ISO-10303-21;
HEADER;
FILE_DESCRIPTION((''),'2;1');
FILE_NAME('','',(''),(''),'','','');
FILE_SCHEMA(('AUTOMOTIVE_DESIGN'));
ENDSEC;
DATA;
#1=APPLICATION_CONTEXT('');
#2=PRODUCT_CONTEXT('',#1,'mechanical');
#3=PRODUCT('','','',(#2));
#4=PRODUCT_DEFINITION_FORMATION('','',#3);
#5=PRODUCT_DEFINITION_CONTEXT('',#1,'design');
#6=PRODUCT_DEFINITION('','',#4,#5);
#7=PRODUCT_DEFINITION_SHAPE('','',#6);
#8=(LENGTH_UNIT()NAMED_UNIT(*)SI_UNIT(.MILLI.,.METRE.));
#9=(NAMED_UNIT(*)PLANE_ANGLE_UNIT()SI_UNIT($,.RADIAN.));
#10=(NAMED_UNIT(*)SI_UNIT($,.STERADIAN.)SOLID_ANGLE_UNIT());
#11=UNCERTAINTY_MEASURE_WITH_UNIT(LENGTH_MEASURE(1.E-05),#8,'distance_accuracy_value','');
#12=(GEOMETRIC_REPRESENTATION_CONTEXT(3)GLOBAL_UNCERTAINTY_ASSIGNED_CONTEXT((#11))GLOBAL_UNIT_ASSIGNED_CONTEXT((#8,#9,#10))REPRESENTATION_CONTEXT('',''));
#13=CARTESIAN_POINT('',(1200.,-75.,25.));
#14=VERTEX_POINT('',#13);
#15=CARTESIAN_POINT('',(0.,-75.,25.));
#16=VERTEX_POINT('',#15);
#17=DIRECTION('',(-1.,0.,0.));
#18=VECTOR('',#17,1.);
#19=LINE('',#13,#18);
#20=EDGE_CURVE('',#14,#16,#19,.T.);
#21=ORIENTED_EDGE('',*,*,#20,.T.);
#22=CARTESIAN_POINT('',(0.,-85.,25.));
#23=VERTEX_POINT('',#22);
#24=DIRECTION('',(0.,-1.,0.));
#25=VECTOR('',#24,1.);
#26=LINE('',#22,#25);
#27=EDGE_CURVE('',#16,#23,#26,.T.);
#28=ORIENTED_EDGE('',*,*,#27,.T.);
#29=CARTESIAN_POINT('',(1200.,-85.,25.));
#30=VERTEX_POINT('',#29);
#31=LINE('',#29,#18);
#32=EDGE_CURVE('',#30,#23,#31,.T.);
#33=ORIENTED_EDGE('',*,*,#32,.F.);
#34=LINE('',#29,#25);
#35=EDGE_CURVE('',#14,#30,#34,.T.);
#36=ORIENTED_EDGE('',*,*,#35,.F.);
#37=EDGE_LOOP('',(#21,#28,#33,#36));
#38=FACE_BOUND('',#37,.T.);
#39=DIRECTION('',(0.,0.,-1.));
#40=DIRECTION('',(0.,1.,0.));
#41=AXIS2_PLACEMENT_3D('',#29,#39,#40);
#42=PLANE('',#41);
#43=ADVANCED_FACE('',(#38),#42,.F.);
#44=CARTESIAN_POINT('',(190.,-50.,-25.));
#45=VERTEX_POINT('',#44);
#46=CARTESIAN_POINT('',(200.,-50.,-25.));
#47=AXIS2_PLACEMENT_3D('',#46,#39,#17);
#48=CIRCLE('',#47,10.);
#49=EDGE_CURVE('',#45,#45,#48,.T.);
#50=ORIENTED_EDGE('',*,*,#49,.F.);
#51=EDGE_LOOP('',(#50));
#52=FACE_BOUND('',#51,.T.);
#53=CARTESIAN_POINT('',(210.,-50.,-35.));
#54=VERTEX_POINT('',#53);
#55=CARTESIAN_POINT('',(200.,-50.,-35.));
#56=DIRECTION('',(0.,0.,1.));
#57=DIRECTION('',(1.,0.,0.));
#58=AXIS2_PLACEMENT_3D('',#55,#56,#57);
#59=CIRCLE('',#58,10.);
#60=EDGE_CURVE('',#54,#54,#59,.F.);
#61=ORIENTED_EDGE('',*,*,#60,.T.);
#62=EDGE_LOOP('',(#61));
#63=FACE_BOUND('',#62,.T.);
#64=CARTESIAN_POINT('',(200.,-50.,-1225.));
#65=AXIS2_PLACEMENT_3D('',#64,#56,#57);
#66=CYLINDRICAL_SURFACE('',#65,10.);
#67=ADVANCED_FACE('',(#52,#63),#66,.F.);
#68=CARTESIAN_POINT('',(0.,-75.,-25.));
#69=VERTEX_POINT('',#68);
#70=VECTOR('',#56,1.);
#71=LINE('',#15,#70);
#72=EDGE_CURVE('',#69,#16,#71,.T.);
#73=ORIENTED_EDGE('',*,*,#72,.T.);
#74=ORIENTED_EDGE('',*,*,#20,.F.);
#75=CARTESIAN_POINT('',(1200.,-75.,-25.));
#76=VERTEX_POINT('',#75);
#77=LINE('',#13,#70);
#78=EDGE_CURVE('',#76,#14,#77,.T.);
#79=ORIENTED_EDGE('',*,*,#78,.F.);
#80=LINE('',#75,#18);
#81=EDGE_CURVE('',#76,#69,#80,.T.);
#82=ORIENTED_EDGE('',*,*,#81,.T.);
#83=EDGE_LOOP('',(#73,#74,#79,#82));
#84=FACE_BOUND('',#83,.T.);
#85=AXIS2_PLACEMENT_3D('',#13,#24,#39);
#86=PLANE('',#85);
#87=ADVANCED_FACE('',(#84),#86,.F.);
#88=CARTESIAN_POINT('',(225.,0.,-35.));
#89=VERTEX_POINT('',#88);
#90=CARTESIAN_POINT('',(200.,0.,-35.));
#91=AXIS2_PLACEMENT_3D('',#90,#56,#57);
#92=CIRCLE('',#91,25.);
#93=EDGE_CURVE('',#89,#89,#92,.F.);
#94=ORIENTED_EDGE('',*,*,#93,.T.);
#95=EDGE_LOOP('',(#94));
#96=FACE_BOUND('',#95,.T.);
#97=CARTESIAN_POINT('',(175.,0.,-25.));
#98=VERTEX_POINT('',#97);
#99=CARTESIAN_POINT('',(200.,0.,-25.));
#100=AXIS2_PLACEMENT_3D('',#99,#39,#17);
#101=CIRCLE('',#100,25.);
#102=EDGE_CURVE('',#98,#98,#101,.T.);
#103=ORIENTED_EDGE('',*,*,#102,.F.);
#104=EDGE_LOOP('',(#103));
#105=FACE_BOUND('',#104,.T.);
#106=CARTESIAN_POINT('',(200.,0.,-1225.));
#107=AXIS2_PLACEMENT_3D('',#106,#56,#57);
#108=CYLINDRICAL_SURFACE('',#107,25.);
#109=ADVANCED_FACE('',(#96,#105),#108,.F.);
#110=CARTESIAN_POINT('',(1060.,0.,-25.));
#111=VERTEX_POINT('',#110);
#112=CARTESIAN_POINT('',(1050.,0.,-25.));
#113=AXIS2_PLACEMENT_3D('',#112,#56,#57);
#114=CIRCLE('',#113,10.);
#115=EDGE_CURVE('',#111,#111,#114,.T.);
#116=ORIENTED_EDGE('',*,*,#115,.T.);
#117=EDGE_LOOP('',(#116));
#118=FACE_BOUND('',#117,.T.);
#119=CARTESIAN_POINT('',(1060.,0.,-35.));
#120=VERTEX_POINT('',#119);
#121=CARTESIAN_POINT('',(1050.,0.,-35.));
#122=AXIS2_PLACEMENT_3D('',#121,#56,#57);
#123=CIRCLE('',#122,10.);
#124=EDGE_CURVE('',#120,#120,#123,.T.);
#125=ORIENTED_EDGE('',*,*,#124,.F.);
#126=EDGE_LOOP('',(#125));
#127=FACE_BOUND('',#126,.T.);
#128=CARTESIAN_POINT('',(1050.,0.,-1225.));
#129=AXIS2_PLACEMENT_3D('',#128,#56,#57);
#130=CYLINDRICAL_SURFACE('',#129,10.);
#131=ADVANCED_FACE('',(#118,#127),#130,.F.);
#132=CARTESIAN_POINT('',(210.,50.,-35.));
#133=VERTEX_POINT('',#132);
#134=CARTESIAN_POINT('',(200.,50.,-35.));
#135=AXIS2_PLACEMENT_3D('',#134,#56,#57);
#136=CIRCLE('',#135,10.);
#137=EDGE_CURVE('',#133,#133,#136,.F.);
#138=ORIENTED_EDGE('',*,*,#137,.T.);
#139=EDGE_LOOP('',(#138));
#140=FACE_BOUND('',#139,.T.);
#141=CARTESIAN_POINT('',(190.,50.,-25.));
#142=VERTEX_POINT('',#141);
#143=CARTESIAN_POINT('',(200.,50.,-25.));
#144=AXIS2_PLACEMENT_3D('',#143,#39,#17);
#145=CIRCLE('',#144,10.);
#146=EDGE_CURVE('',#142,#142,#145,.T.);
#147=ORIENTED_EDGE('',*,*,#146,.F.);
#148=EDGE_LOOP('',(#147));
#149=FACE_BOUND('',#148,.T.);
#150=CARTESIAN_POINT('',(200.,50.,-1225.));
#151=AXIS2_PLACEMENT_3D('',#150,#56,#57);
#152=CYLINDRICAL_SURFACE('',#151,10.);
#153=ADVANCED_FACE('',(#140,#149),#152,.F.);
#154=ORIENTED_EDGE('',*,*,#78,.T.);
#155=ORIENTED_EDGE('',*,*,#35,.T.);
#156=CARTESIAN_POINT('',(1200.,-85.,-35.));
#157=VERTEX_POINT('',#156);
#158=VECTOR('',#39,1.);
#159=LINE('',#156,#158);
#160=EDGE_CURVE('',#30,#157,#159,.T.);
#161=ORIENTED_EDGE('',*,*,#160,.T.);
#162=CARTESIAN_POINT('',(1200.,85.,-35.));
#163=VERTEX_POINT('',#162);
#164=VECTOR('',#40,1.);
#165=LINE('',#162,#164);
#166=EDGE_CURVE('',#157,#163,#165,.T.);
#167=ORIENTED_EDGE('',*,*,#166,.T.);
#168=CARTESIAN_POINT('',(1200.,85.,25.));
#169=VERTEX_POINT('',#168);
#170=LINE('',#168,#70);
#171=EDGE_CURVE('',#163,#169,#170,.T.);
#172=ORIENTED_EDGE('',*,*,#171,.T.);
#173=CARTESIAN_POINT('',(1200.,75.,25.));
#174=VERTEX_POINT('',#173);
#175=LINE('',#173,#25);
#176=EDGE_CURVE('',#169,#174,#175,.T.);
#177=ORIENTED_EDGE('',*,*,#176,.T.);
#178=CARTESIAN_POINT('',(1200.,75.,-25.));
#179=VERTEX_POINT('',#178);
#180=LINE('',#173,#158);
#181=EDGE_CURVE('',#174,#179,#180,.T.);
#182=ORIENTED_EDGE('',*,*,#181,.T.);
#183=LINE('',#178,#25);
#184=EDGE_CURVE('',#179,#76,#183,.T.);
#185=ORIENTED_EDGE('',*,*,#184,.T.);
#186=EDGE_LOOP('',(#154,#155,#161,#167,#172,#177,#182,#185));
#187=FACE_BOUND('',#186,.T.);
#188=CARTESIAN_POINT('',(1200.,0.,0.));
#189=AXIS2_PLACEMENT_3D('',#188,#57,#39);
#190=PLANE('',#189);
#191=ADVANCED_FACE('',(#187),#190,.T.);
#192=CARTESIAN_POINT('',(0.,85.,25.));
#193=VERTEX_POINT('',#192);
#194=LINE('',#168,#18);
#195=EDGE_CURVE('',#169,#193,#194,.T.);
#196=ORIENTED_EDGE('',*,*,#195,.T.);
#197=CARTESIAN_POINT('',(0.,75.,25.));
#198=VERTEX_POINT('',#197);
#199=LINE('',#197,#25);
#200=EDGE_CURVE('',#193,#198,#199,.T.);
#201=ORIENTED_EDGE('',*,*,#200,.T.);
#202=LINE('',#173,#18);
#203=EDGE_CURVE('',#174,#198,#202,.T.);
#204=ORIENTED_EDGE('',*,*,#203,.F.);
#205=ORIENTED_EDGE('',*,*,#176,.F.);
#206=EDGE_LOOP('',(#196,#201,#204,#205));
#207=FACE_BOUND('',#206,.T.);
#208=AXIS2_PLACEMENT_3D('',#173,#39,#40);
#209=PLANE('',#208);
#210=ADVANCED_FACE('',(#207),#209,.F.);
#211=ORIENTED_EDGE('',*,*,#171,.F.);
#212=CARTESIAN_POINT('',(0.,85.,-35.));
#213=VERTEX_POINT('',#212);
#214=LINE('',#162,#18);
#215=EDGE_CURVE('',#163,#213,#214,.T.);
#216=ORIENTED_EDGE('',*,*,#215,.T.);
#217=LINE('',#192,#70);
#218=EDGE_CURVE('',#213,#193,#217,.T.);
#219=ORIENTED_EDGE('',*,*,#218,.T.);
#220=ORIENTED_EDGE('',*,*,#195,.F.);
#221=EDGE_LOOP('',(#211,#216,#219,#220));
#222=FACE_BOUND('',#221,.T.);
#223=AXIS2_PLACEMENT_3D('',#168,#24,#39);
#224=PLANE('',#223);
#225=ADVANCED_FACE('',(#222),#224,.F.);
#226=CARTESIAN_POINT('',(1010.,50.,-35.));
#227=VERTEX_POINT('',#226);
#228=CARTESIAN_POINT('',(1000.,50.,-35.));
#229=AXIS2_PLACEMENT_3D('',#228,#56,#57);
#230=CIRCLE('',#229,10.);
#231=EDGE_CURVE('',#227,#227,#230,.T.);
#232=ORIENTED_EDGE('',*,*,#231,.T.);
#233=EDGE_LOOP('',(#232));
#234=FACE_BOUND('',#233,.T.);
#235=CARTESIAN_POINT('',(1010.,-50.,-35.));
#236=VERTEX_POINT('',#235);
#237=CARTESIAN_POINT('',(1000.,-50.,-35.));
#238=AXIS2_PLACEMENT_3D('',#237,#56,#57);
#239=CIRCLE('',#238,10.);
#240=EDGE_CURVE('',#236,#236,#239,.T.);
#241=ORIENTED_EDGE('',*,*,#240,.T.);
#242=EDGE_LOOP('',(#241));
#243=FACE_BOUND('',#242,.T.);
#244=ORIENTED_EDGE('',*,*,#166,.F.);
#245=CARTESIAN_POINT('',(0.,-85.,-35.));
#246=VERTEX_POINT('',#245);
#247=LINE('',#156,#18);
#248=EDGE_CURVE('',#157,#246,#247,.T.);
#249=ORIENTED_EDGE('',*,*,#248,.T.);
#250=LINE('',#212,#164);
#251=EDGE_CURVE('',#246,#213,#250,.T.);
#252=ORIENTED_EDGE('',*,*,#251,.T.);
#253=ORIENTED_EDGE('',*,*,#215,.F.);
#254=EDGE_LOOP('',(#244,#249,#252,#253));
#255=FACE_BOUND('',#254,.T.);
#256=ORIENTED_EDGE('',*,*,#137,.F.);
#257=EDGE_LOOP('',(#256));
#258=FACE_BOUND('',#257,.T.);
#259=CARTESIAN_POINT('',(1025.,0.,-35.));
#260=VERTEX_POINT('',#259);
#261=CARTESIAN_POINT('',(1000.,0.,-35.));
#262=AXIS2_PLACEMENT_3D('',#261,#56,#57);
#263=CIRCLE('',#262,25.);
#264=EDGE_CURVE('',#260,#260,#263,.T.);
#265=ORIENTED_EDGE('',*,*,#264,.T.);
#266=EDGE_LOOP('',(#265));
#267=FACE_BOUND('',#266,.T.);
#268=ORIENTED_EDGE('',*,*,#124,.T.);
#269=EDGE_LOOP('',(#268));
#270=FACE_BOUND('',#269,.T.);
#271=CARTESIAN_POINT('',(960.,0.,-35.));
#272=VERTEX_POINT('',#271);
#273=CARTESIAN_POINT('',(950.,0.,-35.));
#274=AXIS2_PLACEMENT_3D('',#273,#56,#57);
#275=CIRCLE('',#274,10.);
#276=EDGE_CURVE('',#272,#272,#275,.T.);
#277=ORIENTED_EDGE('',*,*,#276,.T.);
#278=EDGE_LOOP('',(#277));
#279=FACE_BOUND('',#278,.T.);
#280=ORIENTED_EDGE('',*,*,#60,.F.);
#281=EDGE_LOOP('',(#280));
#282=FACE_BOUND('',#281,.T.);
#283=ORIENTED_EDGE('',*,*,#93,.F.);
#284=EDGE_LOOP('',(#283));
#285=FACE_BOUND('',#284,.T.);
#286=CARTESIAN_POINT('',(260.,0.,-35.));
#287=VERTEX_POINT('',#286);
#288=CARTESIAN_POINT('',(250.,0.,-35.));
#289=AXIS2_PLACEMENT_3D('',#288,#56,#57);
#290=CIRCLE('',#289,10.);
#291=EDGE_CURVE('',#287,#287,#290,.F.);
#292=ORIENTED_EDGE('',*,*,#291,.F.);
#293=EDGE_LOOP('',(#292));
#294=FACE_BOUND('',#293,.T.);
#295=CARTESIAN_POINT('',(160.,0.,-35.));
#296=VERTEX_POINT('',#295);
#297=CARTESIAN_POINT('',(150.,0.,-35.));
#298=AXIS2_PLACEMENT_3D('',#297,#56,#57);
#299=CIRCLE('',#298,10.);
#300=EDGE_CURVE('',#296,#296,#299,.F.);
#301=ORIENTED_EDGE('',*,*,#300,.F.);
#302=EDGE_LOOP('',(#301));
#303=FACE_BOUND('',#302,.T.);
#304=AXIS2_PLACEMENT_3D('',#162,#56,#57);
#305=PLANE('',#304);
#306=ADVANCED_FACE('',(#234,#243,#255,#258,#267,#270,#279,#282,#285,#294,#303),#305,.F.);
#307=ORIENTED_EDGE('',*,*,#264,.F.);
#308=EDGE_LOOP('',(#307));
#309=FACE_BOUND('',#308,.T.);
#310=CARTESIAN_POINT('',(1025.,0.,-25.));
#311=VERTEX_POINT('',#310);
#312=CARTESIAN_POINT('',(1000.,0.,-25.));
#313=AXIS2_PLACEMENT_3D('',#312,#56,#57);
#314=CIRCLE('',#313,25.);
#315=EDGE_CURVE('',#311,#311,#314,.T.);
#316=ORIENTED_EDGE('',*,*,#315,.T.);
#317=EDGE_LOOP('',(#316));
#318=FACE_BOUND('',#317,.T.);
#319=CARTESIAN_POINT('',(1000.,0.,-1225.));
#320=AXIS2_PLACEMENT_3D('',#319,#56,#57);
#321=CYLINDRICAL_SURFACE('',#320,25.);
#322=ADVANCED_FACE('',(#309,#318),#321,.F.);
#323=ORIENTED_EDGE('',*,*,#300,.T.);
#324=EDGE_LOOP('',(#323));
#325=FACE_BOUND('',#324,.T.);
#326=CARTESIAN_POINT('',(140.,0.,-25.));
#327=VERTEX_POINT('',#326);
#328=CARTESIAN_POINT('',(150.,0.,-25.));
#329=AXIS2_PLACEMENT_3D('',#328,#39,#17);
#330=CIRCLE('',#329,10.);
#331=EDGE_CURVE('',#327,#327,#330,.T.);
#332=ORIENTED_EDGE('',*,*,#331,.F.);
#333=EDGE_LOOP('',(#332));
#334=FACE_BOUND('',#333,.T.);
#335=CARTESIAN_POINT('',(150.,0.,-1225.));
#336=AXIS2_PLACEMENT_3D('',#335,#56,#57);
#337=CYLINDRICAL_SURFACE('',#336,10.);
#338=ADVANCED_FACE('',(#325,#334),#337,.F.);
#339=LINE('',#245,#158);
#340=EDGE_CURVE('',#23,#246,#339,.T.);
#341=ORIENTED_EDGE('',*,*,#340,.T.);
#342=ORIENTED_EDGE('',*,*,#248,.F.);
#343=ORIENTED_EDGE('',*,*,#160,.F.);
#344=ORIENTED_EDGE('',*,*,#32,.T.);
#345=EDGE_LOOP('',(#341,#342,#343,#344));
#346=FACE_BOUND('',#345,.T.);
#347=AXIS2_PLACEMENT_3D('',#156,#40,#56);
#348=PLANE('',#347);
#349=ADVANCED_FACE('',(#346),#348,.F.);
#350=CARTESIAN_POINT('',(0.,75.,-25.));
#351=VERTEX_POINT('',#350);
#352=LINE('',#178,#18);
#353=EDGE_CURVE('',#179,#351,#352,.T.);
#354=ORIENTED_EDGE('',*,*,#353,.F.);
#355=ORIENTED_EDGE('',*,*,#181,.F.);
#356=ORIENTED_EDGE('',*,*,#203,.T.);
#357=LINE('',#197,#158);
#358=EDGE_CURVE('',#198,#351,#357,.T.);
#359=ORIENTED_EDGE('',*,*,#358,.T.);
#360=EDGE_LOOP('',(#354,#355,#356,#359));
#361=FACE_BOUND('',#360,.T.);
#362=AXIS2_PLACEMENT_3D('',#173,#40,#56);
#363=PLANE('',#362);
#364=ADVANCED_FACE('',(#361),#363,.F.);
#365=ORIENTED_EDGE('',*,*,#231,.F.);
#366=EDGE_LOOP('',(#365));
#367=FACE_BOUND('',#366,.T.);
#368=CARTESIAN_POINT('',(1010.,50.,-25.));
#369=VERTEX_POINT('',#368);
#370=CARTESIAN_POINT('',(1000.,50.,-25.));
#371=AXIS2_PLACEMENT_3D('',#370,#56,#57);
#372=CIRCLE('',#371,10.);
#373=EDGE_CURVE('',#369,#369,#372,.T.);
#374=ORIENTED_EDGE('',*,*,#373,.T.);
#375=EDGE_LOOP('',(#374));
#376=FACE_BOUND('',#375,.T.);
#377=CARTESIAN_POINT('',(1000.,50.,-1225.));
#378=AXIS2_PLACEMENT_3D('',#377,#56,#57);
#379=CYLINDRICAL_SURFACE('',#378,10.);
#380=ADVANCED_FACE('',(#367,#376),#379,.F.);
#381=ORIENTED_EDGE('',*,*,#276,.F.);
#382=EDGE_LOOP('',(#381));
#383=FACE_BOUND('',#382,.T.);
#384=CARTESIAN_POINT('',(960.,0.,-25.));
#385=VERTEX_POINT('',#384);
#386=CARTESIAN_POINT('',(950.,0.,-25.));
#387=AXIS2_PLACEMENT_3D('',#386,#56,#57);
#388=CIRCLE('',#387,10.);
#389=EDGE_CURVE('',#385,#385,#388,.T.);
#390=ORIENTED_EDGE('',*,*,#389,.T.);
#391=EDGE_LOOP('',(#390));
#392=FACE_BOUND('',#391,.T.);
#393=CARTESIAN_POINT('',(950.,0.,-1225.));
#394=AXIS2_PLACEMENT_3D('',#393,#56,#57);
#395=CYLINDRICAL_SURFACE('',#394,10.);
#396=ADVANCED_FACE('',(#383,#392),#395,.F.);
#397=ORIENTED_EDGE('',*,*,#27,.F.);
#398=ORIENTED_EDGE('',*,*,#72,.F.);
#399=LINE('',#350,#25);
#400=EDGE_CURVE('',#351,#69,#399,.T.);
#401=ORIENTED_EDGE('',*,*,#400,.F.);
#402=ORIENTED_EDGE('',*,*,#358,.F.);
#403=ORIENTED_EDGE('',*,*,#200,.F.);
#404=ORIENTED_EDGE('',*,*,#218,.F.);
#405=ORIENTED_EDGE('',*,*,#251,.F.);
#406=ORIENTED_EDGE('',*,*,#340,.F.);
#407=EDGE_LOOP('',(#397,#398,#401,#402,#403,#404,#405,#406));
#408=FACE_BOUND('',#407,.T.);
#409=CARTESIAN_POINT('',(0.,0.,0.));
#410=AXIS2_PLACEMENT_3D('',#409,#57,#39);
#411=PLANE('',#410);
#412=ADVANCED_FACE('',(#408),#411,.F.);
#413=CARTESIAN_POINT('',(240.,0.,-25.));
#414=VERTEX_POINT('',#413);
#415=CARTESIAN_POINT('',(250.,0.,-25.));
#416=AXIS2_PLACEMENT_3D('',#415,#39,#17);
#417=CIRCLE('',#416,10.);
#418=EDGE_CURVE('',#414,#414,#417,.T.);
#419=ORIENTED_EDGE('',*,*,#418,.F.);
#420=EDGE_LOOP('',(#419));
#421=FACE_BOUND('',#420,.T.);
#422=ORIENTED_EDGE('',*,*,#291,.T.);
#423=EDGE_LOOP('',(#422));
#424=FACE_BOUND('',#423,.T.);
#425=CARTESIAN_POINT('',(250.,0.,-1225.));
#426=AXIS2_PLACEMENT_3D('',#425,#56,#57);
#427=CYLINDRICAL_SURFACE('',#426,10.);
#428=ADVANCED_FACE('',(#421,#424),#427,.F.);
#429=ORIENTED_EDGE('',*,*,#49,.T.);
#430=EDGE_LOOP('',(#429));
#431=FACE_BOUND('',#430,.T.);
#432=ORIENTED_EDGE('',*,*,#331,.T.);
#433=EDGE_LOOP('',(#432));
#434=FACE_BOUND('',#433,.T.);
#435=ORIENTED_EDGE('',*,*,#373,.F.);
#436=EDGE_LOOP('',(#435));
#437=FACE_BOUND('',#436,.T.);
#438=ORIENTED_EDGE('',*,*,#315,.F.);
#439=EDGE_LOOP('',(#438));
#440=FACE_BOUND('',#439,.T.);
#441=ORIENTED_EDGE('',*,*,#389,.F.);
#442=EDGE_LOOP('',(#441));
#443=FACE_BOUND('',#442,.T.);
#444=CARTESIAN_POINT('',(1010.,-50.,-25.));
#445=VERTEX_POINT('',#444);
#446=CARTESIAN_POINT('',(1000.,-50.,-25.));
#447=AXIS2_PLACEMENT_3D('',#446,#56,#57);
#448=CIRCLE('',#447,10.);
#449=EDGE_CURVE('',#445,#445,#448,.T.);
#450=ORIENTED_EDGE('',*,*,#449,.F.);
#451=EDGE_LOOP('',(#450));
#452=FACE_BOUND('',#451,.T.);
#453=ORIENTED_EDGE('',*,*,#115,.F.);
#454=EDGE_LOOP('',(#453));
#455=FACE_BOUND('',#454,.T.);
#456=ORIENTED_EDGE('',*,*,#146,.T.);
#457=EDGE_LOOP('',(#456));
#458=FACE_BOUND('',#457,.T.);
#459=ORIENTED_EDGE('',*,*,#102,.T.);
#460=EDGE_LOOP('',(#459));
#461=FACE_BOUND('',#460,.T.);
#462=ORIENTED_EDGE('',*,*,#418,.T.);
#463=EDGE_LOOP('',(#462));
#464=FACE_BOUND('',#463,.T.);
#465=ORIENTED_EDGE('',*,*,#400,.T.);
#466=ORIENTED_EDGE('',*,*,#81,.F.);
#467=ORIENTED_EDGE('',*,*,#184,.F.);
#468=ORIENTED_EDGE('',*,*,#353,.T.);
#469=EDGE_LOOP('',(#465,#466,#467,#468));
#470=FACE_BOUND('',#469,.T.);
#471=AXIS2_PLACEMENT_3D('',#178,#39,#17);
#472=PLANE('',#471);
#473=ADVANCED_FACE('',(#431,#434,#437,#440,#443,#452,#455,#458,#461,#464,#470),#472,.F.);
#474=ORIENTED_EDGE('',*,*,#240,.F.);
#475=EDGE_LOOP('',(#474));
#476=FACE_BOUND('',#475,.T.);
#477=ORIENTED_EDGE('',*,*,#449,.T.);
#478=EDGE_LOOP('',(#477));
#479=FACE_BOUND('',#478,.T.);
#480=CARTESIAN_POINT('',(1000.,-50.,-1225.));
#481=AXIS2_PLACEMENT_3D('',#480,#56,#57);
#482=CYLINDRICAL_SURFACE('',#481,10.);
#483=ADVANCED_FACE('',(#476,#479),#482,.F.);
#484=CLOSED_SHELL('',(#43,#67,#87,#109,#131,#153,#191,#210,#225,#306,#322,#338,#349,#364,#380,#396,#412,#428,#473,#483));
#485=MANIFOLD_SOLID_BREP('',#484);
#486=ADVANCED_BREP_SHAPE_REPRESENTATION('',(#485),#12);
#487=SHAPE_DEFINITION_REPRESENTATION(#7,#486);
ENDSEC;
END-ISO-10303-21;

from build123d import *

# Parameters (mm, degrees)
BOSS_EXTRUDE2_DEPTH = 1200
SKETCH2_R           = 25
SKETCH2_R_2         = 10
CUT_EXTRUDE1_DEPTH  = 1200


with BuildPart() as part:
    # Sketch1 → Boss-Extrude2 (new body)
    with BuildSketch(Plane(origin=(0, 0, 0), x_dir=(0, 0, -1), z_dir=(1, 0, 0))):
        Polygon((-25, 75), (-25, 85), (35, 85), (35, -85), (-25, -85), (-25, -75), (25, -75), (25, 75), align=None)
    extrude(amount=BOSS_EXTRUDE2_DEPTH)

    # Sketch2 → Cut-Extrude1 (cut)
    with BuildSketch(Plane.XY.offset(-25)):
        with Locations((1000, 0)):
            Circle(SKETCH2_R)
        with Locations((950, 0)):
            Circle(SKETCH2_R_2)
        with Locations((1000, 50)):
            Circle(SKETCH2_R_2)
        with Locations((1000, -50)):
            Circle(SKETCH2_R_2)
        with Locations((1050, 0)):
            Circle(SKETCH2_R_2)
    cut_extrude1 = extrude(amount=-CUT_EXTRUDE1_DEPTH, mode=Mode.SUBTRACT)

    # Mirror2: Cut-Extrude1 across plane
    add(cut_extrude1.mirror(Plane(origin=(600, 0, 0), x_dir=(0, 0, 1), z_dir=(1, 0, 0))), mode=Mode.SUBTRACT)


solid = part.part
